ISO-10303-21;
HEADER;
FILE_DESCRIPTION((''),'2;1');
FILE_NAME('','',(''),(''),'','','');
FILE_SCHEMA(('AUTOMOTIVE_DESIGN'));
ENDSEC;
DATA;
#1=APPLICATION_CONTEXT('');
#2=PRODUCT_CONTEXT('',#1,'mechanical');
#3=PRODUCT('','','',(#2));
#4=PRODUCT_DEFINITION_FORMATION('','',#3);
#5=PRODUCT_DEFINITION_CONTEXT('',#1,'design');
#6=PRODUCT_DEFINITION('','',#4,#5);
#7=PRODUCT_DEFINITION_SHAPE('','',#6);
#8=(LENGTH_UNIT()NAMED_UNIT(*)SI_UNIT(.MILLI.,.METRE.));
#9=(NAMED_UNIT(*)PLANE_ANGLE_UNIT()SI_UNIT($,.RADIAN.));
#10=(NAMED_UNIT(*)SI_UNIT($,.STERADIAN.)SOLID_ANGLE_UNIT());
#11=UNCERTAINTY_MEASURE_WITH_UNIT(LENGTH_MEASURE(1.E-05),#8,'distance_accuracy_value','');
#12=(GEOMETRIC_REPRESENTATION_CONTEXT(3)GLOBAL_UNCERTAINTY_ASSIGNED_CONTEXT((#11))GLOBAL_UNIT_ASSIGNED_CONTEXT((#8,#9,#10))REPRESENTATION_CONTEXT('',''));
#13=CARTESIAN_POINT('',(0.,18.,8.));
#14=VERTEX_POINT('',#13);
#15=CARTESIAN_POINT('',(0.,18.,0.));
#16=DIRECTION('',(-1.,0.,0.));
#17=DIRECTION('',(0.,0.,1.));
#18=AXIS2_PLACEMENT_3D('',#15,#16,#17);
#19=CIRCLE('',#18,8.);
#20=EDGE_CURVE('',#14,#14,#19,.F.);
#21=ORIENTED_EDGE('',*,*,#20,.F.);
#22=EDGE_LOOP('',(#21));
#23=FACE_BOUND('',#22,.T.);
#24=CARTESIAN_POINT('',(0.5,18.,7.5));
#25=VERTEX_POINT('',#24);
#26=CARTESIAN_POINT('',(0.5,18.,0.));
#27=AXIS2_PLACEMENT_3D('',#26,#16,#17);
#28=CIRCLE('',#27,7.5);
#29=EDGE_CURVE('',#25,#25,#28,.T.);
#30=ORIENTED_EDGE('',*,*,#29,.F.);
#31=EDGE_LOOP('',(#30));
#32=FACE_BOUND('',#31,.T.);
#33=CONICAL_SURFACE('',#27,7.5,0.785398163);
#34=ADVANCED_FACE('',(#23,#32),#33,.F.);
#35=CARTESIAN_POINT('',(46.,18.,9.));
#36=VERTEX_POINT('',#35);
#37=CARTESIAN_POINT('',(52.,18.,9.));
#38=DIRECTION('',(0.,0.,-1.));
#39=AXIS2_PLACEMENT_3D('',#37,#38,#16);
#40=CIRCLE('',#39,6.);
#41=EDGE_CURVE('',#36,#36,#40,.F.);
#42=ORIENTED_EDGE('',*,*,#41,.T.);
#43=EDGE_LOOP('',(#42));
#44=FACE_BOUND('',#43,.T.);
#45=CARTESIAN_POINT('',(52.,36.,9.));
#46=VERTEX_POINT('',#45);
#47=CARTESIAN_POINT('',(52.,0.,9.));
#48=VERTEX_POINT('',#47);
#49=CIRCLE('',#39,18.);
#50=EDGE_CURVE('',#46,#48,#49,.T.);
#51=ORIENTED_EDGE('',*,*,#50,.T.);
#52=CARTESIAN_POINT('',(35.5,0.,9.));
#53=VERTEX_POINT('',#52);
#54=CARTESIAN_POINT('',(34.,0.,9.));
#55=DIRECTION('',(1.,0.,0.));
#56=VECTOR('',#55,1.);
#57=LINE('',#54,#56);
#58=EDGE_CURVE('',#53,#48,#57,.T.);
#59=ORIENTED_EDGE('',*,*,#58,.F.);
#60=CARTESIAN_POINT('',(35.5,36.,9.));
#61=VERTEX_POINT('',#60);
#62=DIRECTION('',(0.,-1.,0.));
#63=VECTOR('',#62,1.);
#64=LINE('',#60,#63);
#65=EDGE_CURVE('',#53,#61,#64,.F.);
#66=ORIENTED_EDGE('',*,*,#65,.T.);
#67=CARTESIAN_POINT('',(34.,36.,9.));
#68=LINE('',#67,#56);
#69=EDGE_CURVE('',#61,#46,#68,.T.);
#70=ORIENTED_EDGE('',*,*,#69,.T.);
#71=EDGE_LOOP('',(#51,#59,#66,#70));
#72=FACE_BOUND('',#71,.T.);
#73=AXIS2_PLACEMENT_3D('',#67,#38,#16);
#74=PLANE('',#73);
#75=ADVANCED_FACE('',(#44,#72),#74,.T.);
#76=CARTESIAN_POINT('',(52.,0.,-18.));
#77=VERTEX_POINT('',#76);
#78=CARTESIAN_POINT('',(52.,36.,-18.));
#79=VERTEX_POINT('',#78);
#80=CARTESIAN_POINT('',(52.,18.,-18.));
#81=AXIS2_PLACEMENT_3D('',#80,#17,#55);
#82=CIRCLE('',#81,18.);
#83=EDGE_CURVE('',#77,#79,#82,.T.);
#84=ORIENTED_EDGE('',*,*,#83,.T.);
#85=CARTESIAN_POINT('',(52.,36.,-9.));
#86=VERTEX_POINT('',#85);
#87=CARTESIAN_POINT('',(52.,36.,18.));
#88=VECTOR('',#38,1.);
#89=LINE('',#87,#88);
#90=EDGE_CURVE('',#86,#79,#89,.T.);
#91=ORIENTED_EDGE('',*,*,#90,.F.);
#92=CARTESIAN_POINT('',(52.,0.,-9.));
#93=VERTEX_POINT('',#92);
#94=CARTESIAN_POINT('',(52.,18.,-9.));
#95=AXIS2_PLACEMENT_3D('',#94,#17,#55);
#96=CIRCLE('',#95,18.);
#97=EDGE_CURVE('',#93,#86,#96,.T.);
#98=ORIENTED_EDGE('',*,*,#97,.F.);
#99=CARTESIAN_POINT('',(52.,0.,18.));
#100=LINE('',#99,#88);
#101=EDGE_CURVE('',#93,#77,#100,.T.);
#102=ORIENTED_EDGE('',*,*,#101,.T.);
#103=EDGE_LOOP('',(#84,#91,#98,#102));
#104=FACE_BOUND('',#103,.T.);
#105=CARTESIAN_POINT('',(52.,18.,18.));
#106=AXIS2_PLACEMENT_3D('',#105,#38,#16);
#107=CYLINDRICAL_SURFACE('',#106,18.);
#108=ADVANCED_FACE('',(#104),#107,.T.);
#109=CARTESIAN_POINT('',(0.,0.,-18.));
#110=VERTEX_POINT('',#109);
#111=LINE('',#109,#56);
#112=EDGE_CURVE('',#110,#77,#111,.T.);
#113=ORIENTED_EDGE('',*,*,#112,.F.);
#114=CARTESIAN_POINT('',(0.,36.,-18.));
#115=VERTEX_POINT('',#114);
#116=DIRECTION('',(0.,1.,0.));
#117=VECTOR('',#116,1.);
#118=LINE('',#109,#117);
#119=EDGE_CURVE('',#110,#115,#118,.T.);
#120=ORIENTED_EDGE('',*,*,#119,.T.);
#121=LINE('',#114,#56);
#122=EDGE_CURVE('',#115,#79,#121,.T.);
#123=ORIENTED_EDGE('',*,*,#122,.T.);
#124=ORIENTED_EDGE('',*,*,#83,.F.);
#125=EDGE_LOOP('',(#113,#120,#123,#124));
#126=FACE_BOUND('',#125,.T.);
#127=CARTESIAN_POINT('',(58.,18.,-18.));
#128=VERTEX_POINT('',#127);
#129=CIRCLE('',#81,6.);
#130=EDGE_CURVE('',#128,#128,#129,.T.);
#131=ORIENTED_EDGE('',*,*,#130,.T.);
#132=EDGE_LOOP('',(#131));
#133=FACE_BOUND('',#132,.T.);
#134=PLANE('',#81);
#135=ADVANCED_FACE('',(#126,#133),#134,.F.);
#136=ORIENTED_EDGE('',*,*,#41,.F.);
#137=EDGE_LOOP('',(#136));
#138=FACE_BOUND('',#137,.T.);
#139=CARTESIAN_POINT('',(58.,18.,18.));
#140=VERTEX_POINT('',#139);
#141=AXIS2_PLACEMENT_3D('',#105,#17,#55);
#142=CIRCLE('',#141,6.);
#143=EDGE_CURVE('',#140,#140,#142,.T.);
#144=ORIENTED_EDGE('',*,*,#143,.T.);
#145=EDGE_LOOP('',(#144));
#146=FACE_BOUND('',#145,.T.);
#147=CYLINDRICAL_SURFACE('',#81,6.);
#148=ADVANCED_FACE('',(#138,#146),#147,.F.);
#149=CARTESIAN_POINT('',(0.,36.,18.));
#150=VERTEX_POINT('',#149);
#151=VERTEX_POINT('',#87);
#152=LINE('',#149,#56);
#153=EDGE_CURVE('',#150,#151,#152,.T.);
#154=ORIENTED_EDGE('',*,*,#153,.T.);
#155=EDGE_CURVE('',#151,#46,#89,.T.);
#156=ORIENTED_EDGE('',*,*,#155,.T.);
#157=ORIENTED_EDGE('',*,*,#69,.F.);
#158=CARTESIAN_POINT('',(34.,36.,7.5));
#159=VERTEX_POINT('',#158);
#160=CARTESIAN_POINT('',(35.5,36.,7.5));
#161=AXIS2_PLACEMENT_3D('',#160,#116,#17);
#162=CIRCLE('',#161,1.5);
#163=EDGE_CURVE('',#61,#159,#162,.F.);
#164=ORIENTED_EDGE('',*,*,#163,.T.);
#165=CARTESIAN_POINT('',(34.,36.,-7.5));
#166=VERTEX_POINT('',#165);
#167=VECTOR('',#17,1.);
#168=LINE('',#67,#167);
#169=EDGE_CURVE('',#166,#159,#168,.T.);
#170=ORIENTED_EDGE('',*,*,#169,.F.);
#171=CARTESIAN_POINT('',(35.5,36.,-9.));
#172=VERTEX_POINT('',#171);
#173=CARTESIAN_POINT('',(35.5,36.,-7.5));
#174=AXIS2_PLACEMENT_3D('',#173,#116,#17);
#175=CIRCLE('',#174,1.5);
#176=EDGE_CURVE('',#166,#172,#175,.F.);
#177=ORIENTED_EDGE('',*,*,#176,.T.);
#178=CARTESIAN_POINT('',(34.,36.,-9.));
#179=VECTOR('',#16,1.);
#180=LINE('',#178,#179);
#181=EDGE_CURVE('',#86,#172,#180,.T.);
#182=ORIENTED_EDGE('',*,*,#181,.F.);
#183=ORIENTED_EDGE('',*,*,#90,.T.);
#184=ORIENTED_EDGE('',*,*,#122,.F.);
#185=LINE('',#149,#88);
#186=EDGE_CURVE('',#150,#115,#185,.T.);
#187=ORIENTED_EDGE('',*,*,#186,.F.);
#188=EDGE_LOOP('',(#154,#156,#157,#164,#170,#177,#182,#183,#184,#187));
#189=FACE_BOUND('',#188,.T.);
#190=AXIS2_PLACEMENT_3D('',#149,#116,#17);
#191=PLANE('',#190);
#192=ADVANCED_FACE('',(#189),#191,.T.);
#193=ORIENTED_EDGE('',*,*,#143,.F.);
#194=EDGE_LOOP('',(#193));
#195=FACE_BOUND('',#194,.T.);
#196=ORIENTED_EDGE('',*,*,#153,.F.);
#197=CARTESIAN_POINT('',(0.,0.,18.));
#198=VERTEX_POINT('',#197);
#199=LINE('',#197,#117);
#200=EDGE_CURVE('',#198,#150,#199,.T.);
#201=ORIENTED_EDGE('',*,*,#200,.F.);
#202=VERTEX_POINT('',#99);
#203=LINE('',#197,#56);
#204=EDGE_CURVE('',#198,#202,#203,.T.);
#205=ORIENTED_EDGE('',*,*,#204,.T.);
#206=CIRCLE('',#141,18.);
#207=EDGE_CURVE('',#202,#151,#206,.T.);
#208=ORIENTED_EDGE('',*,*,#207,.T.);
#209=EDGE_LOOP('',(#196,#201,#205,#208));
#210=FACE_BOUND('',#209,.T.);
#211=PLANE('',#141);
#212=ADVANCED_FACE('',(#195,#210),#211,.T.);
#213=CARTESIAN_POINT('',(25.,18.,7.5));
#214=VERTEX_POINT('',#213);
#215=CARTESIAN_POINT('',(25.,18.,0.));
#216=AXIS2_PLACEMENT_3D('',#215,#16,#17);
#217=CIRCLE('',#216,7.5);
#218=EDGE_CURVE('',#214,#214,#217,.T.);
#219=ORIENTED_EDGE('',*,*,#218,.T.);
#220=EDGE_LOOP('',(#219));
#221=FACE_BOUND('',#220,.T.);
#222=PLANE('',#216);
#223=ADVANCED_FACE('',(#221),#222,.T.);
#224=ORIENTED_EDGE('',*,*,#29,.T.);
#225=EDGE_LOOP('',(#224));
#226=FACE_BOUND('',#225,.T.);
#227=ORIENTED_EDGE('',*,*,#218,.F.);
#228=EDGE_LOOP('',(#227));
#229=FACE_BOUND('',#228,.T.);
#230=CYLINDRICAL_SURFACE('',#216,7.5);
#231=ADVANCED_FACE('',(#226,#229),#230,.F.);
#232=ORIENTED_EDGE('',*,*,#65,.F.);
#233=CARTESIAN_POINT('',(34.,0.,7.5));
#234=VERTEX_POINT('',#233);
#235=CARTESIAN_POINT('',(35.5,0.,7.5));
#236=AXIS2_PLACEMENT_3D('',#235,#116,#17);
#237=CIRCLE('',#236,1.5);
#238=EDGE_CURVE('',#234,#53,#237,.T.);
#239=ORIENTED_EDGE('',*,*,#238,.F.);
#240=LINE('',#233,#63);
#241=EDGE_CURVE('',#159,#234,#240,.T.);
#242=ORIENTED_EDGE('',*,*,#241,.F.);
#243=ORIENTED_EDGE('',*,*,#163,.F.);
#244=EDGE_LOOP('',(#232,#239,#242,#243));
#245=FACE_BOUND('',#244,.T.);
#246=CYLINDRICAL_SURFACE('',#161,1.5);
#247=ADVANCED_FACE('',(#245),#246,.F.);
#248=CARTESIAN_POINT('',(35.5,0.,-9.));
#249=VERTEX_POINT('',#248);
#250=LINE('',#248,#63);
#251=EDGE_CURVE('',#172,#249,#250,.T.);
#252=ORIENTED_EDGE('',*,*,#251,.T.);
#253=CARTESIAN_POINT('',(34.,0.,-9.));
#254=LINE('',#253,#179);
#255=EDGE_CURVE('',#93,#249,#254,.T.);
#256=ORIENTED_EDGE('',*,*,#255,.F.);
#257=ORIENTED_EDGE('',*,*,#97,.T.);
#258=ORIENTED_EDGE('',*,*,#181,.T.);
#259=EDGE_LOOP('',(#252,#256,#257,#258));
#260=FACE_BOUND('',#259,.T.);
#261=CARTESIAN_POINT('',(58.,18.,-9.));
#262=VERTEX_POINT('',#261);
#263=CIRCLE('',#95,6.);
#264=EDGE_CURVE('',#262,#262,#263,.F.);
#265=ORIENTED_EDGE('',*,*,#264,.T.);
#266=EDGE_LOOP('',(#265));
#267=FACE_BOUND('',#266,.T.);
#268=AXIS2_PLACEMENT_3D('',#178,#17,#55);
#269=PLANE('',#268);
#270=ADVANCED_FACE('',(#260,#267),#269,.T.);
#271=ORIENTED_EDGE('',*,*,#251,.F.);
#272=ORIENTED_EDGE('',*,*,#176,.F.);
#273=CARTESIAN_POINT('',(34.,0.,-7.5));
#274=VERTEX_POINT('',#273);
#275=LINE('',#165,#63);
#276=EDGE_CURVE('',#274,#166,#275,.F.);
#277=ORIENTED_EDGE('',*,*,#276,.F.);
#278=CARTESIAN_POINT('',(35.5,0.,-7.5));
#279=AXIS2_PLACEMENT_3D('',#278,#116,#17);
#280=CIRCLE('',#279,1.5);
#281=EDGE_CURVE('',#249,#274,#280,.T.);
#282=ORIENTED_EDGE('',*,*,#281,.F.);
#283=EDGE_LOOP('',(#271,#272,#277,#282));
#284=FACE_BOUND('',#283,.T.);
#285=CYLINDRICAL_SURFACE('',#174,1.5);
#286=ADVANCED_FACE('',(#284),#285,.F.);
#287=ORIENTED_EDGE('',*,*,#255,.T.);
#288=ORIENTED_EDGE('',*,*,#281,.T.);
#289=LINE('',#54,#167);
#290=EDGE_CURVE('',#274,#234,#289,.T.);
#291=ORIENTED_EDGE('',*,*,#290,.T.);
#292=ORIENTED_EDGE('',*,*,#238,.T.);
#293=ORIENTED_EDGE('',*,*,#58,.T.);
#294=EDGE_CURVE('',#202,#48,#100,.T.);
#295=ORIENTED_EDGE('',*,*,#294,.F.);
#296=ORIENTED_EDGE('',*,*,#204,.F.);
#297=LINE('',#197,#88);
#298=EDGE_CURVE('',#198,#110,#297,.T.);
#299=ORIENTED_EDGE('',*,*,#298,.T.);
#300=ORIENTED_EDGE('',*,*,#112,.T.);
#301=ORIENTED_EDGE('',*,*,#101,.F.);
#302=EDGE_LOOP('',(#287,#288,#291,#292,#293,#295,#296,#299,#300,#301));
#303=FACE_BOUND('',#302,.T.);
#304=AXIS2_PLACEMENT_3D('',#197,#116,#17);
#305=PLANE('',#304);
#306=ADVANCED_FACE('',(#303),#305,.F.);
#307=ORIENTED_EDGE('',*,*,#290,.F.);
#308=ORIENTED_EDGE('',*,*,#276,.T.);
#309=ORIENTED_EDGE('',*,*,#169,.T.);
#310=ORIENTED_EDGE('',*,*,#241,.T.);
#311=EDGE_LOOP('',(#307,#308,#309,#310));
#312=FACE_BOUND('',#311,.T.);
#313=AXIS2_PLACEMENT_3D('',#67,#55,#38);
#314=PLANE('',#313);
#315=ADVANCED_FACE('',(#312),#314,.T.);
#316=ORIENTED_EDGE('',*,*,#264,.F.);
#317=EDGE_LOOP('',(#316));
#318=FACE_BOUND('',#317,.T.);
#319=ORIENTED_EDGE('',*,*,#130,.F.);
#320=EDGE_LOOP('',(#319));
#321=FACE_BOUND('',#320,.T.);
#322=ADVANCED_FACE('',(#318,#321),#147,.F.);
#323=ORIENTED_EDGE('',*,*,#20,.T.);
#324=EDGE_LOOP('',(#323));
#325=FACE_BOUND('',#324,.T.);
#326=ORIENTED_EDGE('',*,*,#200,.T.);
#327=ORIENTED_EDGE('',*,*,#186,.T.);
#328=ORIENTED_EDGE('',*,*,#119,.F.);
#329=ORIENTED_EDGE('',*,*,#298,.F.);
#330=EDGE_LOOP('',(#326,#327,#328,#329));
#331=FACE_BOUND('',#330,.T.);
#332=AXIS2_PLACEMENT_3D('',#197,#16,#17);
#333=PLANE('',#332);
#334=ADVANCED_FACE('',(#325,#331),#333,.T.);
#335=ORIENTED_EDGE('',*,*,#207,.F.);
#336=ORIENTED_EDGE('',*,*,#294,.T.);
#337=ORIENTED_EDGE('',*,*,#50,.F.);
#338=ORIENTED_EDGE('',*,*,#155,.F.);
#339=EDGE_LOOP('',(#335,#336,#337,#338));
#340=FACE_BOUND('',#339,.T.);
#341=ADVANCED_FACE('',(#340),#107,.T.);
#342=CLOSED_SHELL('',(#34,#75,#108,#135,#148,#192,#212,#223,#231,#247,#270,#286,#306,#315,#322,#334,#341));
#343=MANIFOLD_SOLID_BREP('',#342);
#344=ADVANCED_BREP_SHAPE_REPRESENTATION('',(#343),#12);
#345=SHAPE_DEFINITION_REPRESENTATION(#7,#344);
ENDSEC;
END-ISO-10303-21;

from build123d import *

# Parameters (mm, degrees)
CLEVIS_BODY_EXTRUDE1_DEPTH       = 18
SKETCH2_R                        = 6
PIN_HOLES_CUT_EXTRUDE1_DEPTH     = 18
SKETCH3_R                        = 7.5
THREADED_HOLE_CUT_EXTRUDE2_DEPTH = 25
SKETCH5_W                        = 38
SKETCH5_H                        = 18
CLEVIS_GAP_CUT_EXTRUDE4_DEPTH    = 37
FILLET2_R                        = 1.5
CHAMFER2_SIZE                    = 0.5


with BuildPart() as part:
    # Sketch1 → Clevis Body Extrude1 (new body, symmetric)
    with BuildSketch(Plane.XY):
        with BuildLine():
            Line((0, 0), (52, 0))
            ThreePointArc((52, 0), (70, 18), (52, 36))
            Line((52, 36), (0, 36))
            Line((0, 36), (0, 0))
        make_face()
    extrude(amount=CLEVIS_BODY_EXTRUDE1_DEPTH, both=True)

    # Sketch2 → Pin Holes Cut-Extrude1 (cut, symmetric)
    with BuildSketch(Plane.XY):
        with Locations((52, 18)):
            Circle(SKETCH2_R)
    extrude(amount=PIN_HOLES_CUT_EXTRUDE1_DEPTH, both=True, mode=Mode.SUBTRACT)

    # Sketch3 → Threaded Hole Cut-Extrude2 (cut)
    with BuildSketch(Plane.ZY):
        with Locations((0, 18)):
            Circle(SKETCH3_R)
    extrude(amount=-THREADED_HOLE_CUT_EXTRUDE2_DEPTH, mode=Mode.SUBTRACT)

    # Sketch5 → Clevis Gap Cut-Extrude4 (cut, through all)
    with BuildSketch(Plane(origin=(0, 0, 0), x_dir=(1, 0, 0), z_dir=(0, 1, 0))):
        with Locations((53, 0)):
            Rectangle(SKETCH5_W, SKETCH5_H)
    extrude(amount=CLEVIS_GAP_CUT_EXTRUDE4_DEPTH, mode=Mode.SUBTRACT)

    # Fillet2
    fillet2_edges = [part.edges().sort_by_distance(p)[0] for p in [
        (34, 18, 9),
        (34, 18, -9),
    ]]
    fillet(fillet2_edges, radius=FILLET2_R)

    # Chamfer2
    chamfer2_edges = [part.edges().sort_by_distance(p)[0] for p in [
        (0, 18, -7.5),
    ]]
    chamfer(chamfer2_edges, length=CHAMFER2_SIZE)


solid = part.part
